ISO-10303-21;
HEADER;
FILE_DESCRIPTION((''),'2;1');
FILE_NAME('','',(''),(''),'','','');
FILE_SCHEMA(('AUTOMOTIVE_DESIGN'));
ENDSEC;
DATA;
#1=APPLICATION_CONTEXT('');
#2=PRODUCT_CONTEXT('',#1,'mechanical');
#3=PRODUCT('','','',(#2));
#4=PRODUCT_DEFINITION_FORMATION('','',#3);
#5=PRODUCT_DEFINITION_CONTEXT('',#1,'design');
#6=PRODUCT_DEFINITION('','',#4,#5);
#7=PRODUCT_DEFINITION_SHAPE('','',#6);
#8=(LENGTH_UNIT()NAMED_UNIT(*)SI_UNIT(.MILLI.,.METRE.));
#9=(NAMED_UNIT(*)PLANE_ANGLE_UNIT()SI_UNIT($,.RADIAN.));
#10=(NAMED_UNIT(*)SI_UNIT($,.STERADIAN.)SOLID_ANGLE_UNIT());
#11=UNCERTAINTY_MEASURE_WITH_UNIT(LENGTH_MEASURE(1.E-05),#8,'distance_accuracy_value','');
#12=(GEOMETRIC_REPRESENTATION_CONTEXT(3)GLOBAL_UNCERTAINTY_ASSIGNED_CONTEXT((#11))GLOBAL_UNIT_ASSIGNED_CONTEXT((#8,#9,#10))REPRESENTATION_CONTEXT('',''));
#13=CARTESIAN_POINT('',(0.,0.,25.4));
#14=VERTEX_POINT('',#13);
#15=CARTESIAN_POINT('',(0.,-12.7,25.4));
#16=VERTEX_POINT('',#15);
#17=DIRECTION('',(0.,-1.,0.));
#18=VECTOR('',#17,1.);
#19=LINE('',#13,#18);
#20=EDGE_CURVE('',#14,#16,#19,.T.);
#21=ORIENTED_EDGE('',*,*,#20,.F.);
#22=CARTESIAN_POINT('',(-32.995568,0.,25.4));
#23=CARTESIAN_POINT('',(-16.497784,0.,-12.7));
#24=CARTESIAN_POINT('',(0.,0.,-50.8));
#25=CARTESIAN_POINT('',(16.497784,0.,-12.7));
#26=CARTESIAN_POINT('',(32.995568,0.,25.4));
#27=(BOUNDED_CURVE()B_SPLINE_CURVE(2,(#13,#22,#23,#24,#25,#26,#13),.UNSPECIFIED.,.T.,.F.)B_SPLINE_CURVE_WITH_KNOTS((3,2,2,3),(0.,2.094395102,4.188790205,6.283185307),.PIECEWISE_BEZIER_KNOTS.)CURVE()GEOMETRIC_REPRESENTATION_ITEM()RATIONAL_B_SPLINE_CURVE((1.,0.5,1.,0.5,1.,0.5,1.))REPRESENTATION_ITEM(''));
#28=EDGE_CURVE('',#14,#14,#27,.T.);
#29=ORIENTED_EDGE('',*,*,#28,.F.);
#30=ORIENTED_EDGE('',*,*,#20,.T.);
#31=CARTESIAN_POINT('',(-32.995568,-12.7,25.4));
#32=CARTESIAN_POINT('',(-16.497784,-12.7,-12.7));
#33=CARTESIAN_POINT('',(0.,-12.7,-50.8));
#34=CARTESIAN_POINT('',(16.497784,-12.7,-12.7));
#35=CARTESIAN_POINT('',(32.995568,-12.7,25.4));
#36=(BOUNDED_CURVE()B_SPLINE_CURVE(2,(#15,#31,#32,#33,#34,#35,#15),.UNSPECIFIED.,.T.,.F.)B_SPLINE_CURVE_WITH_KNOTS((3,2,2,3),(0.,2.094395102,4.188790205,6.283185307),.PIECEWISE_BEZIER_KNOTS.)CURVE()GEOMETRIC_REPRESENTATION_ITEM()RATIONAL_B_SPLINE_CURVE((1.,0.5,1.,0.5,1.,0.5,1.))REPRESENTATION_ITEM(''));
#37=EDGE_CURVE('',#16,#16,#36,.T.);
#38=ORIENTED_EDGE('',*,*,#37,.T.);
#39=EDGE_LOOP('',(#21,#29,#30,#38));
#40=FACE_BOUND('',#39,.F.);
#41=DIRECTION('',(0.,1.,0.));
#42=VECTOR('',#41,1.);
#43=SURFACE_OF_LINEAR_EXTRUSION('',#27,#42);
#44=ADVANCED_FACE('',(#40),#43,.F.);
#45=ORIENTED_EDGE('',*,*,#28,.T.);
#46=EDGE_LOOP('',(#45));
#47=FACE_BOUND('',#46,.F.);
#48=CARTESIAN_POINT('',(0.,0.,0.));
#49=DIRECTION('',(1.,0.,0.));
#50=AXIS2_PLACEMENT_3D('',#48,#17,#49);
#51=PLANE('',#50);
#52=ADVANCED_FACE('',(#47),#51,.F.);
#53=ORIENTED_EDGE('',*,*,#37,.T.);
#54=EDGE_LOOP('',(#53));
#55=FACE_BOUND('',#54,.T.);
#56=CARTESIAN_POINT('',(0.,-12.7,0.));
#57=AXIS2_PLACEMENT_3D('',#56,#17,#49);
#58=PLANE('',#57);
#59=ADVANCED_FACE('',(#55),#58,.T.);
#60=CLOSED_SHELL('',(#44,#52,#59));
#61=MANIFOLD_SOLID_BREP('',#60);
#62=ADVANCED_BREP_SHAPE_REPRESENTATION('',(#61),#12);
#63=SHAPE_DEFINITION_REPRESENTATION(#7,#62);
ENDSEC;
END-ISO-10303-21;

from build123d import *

# Parameters (mm, degrees)
F1_DEPTH = 12.7
F2_R     = 6.604
F3_DEPTH = 12.7
F4_R     = 11.6192603078
F5_DEPTH = 12.7


with BuildPart() as f1:
    # F0 (on Front) → F1 (new body)
    with BuildSketch(Plane.XZ):
        with BuildLine():
            add(Edge.make_bspline(
                [(0, 25.4), (-32.9955678842, 25.4), (-16.4977839421, -12.7), (0, -50.8), (16.4977839421, -12.7), (32.9955678842, 25.4), (0, 25.4)],
                knots=[0, 0, 0, 2.0943951024, 2.0943951024, 4.1887902048, 4.1887902048, 6.2831853072, 6.2831853072, 6.2831853072], degree=2, weights=[1, 0.5, 1, 0.5, 1, 0.5, 1]))
        make_face()
    extrude(amount=F1_DEPTH)

    # F2 (on face) → F3 (cut, symmetric)
    with BuildSketch(Plane.XZ.offset(12.7)):
        Circle(F2_R)
    extrude(amount=F3_DEPTH, both=True, mode=Mode.SUBTRACT)

    # F4 (on Front) → F5 (join)
    with BuildSketch(Plane.XZ):
        Circle(F4_R)
    extrude(amount=F5_DEPTH)


solid = f1.part
